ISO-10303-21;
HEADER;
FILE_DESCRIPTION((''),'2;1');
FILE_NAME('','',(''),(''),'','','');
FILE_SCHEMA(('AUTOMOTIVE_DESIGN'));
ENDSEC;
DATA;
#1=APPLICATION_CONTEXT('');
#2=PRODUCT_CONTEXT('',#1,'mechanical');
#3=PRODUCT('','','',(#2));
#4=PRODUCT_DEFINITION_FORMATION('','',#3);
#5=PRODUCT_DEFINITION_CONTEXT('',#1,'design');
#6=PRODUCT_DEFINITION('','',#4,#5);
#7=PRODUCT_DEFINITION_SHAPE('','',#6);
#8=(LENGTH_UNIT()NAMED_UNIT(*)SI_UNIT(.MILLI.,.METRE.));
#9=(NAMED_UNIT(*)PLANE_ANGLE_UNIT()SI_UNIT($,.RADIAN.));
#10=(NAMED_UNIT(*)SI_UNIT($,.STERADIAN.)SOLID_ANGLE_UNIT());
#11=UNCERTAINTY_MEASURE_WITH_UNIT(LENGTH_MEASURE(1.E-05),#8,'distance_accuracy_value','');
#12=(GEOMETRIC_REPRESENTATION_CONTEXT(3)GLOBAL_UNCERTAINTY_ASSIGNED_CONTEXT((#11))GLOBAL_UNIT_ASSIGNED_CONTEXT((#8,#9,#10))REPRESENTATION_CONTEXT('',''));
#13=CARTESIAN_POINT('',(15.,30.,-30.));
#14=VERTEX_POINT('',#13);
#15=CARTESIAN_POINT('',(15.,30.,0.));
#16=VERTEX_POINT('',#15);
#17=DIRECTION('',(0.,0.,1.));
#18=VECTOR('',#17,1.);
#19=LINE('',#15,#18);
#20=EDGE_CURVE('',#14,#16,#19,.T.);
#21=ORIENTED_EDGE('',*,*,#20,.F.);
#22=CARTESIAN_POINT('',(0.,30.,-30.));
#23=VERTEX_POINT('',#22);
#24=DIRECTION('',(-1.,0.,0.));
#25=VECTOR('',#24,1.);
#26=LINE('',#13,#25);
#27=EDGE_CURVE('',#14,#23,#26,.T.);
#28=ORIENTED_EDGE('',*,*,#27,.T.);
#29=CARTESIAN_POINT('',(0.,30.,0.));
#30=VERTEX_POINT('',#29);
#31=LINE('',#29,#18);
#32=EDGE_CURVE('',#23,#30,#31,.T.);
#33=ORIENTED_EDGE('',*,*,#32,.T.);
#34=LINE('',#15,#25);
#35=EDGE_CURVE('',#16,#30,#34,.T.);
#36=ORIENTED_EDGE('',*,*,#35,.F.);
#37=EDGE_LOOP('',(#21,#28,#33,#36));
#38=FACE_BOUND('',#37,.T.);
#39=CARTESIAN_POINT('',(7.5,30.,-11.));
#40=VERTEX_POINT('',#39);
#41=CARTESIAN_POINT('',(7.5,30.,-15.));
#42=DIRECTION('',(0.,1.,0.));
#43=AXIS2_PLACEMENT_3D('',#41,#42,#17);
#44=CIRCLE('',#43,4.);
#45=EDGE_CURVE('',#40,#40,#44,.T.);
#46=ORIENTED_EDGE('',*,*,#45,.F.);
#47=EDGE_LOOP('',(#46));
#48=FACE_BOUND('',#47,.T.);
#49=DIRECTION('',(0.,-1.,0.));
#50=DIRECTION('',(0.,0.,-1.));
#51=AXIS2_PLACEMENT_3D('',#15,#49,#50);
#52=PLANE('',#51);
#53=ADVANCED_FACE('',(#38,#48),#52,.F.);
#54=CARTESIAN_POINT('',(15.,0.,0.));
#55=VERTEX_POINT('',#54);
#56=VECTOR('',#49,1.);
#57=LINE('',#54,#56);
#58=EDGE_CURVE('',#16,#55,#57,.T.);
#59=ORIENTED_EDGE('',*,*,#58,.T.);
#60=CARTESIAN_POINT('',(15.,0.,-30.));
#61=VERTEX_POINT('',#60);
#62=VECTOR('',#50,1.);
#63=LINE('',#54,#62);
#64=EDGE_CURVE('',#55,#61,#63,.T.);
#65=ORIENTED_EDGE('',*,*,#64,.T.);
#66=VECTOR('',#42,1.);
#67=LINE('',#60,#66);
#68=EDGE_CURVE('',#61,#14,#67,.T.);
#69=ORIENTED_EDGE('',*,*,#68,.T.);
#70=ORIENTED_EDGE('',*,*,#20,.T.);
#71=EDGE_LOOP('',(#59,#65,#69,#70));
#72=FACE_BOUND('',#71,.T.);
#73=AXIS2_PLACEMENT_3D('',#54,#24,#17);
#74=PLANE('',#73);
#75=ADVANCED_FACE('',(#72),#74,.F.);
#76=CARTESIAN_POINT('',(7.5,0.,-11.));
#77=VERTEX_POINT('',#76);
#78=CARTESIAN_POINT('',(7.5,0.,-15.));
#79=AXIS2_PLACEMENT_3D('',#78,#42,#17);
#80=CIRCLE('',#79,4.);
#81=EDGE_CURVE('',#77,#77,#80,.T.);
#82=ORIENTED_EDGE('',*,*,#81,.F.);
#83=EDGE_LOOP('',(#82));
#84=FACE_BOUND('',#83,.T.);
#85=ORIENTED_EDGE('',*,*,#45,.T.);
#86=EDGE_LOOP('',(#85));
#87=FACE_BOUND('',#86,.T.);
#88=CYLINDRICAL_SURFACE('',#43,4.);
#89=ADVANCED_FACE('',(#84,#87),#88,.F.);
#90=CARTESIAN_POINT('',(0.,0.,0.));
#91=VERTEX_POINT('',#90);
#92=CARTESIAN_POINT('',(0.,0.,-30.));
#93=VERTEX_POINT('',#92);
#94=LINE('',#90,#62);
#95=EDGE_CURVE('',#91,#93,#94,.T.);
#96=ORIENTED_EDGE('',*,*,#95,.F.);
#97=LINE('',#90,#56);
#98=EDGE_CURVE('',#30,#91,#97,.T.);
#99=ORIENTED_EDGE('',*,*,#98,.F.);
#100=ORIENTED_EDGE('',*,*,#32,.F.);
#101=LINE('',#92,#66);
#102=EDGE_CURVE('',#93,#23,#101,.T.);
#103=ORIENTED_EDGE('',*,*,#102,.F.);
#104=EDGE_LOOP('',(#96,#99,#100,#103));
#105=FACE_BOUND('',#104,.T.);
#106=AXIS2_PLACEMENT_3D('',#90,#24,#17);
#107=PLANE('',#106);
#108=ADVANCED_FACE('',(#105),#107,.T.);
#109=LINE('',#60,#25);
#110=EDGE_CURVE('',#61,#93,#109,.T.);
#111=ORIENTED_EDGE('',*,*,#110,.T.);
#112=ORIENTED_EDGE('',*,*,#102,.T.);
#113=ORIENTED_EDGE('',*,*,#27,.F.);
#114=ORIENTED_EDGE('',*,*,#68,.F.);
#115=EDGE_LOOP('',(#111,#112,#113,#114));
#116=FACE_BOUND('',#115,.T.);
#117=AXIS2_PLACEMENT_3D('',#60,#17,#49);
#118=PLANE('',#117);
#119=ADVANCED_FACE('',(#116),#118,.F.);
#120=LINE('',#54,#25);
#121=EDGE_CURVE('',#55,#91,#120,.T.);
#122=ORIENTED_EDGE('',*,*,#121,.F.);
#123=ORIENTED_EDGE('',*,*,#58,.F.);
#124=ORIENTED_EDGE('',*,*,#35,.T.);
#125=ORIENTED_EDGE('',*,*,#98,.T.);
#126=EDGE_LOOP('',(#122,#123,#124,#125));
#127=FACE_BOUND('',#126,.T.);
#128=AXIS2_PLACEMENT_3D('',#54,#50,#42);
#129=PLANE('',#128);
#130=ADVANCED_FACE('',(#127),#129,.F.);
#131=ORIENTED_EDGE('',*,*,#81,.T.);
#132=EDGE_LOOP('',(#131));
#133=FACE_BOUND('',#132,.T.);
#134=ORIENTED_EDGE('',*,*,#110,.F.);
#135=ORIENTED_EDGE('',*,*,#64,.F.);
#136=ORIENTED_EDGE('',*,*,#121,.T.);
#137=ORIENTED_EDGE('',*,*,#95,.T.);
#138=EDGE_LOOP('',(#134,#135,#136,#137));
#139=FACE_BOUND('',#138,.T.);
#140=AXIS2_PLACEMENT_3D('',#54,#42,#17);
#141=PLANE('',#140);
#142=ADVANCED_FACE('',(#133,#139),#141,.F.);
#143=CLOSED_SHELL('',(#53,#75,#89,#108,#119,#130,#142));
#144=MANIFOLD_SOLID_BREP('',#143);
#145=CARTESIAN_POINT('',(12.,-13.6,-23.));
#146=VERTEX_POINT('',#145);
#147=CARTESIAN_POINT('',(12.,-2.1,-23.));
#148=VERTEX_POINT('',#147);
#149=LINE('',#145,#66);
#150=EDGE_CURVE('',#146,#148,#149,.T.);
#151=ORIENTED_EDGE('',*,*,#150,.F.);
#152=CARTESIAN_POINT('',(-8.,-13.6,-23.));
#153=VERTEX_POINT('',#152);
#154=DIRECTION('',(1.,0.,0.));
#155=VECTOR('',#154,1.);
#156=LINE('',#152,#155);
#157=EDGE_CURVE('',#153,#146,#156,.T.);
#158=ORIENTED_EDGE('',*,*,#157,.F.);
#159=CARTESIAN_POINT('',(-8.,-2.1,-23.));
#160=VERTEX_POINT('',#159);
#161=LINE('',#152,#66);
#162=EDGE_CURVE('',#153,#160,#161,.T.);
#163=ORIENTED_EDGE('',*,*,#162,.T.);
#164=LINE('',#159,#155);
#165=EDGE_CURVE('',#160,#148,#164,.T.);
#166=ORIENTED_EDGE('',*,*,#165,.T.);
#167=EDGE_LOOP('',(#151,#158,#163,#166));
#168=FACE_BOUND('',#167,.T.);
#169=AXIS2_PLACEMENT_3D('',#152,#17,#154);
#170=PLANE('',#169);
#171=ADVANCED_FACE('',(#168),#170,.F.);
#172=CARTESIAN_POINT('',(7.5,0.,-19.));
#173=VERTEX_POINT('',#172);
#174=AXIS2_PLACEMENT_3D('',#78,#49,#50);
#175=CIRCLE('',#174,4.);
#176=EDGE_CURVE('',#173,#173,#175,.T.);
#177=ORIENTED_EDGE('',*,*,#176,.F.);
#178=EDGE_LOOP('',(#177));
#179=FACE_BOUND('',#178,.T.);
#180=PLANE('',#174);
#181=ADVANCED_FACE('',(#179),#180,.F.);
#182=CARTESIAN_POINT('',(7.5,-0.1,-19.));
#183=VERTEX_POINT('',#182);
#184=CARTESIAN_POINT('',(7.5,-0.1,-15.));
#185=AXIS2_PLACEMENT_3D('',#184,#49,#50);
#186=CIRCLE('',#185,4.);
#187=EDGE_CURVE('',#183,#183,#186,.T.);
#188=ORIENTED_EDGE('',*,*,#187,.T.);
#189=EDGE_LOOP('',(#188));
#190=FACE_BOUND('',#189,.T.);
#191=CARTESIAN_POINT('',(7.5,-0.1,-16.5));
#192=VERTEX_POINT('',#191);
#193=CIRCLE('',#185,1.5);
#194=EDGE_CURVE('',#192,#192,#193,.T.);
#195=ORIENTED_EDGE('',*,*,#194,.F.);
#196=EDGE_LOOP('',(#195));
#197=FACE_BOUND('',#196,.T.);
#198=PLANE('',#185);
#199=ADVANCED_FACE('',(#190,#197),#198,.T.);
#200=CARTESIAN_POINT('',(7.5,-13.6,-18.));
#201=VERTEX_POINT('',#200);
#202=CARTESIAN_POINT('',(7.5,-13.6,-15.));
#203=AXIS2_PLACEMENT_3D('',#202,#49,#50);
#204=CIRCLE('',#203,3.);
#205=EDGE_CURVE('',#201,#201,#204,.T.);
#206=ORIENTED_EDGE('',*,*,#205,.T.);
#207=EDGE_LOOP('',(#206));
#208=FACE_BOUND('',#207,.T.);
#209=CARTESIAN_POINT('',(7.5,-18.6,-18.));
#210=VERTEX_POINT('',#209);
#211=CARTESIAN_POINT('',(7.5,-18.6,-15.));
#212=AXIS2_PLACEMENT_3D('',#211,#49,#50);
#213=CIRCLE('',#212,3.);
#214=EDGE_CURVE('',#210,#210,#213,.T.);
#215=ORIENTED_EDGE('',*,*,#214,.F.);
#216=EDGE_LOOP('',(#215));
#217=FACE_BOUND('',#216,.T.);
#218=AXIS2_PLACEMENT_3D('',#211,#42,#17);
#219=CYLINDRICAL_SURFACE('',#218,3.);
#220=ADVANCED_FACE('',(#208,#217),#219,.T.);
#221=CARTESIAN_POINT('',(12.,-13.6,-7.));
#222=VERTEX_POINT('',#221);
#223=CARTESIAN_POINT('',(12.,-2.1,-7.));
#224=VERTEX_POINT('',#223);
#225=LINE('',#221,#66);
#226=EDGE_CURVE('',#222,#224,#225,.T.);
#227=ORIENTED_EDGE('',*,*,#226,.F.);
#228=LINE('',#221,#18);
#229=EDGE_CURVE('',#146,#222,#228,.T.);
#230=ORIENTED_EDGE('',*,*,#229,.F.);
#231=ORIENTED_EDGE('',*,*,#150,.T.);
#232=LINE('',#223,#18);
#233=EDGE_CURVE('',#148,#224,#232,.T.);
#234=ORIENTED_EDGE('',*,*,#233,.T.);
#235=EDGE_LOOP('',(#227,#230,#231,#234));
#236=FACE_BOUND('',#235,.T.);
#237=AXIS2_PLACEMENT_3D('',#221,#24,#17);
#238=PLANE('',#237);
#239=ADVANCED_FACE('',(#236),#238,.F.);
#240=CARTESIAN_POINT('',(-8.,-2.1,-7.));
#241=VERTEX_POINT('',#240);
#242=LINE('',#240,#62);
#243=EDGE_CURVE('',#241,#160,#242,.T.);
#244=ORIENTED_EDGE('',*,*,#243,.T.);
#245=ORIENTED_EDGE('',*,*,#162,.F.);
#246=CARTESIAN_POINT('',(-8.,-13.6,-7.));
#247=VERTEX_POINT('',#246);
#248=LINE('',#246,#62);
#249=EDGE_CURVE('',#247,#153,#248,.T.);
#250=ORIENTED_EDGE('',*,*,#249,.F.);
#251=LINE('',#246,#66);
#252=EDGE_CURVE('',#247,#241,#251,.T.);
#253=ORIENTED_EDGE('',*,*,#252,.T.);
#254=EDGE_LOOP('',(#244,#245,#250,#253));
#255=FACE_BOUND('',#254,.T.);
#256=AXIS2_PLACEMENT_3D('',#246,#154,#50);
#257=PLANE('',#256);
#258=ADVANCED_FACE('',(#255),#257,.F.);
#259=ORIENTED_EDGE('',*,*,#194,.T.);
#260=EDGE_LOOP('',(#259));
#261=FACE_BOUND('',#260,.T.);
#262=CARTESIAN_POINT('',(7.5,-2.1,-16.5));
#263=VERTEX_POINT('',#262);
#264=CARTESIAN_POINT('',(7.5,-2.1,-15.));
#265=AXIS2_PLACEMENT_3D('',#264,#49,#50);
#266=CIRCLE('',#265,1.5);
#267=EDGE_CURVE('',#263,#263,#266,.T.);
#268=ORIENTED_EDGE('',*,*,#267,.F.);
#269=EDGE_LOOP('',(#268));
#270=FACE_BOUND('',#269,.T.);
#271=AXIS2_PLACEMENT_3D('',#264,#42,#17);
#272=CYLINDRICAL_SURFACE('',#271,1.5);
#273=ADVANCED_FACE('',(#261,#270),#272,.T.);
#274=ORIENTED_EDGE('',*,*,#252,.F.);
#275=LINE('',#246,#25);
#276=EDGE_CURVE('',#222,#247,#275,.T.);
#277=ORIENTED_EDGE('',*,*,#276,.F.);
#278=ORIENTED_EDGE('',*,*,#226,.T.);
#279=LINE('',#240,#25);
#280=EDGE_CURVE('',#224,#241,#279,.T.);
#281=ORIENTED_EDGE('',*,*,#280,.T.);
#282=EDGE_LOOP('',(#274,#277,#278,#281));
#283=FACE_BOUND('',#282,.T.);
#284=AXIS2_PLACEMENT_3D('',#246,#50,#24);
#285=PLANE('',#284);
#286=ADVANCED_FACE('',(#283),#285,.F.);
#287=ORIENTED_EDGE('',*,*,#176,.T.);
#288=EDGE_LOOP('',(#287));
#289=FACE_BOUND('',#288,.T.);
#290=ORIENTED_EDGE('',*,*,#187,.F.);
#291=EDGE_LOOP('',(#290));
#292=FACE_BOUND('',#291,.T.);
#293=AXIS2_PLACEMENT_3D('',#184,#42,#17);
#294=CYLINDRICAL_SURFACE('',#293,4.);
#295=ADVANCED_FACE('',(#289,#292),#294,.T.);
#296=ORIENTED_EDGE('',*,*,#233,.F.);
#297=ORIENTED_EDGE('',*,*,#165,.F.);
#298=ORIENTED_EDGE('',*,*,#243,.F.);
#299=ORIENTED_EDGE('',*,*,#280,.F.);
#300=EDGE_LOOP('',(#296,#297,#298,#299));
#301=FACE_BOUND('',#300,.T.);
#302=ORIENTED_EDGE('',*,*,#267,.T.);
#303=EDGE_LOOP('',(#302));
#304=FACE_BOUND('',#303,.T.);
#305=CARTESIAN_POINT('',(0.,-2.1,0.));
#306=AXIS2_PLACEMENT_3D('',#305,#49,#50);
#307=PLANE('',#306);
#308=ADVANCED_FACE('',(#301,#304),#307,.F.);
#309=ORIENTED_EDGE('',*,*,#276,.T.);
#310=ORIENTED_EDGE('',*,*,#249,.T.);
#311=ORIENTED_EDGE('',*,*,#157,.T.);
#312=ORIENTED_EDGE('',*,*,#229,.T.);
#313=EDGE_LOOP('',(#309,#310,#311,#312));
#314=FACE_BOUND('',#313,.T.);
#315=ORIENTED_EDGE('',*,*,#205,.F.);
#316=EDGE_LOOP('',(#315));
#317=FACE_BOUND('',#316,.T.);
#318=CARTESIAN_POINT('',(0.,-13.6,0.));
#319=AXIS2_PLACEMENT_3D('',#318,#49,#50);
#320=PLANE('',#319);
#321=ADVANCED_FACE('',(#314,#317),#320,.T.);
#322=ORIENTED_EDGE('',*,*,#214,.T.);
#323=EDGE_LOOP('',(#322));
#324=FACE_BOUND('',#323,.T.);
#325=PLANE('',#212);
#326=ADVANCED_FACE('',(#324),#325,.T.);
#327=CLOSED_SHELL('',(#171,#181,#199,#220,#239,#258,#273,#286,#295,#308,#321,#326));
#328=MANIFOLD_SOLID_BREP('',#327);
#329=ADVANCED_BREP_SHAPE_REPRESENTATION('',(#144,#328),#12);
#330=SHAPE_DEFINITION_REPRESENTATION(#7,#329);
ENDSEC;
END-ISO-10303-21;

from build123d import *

# Parameters (mm, degrees)
SKETCH_1_W            = 30
SKETCH_1_H            = 30
EXTRUDE_1_DEPTH       = 15
HOLE_WIZARD_8_0_8_1_D = 8
SKETCH_4_R            = 4
EXTRUDE_2_DEPTH       = 0.1
SKETCH_5_R            = 1.5
EXTRUDE_3_DEPTH       = 2
SKETCH_6_W            = 20
SKETCH_6_H            = 16
EXTRUDE_4_DEPTH       = 11.5
SKETCH_7_R            = 3
EXTRUDE_5_DEPTH       = 5


with BuildPart() as part:
    # Эскиз1 → Бобышка-Вытянуть1 (new body)
    with BuildSketch(Plane(origin=(0, 0, 0), x_dir=(0, 0, -1), z_dir=(1, 0, 0))):
        with Locations((15, 15)):
            Rectangle(SKETCH_1_W, SKETCH_1_H)
    extrude(amount=EXTRUDE_1_DEPTH)

    # Диаметр отверстия Ø8.0 (8)1 (through all)
    with Locations(Plane(origin=(0, 30, 0), x_dir=(1, 0, 0), z_dir=(0, 1, 0))):
        with Locations((7.5, 15)):
            Hole(HOLE_WIZARD_8_0_8_1_D / 2)


with BuildPart() as body_2:
    # Эскиз4 → Бобышка-Вытянуть2 (new body)
    with BuildSketch(Plane.XZ):
        with Locations(Location((7.5, -15, 0), (0, 0, 270))):
            Circle(SKETCH_4_R)
    extrude(amount=EXTRUDE_2_DEPTH)

    # Эскиз5 → Бобышка-Вытянуть3 (add)
    with BuildSketch(Plane.XZ.offset(0.1)):
        with Locations(Location((7.5, -15, 0), (0, 0, 270))):
            Circle(SKETCH_5_R)
    extrude(amount=EXTRUDE_3_DEPTH)

    # Эскиз6 → Бобышка-Вытянуть4 (add)
    with BuildSketch(Plane.XZ.offset(2.1)):
        with Locations((2, -15)):
            Rectangle(SKETCH_6_W, SKETCH_6_H)
    extrude(amount=EXTRUDE_4_DEPTH)

    # Эскиз7 → Бобышка-Вытянуть5 (add)
    with BuildSketch(Plane.XZ.offset(13.6)):
        with Locations(Location((7.5, -15, 0), (0, 0, 270))):
            Circle(SKETCH_7_R)
    extrude(amount=EXTRUDE_5_DEPTH)


solid = Compound([part.part, body_2.part])
